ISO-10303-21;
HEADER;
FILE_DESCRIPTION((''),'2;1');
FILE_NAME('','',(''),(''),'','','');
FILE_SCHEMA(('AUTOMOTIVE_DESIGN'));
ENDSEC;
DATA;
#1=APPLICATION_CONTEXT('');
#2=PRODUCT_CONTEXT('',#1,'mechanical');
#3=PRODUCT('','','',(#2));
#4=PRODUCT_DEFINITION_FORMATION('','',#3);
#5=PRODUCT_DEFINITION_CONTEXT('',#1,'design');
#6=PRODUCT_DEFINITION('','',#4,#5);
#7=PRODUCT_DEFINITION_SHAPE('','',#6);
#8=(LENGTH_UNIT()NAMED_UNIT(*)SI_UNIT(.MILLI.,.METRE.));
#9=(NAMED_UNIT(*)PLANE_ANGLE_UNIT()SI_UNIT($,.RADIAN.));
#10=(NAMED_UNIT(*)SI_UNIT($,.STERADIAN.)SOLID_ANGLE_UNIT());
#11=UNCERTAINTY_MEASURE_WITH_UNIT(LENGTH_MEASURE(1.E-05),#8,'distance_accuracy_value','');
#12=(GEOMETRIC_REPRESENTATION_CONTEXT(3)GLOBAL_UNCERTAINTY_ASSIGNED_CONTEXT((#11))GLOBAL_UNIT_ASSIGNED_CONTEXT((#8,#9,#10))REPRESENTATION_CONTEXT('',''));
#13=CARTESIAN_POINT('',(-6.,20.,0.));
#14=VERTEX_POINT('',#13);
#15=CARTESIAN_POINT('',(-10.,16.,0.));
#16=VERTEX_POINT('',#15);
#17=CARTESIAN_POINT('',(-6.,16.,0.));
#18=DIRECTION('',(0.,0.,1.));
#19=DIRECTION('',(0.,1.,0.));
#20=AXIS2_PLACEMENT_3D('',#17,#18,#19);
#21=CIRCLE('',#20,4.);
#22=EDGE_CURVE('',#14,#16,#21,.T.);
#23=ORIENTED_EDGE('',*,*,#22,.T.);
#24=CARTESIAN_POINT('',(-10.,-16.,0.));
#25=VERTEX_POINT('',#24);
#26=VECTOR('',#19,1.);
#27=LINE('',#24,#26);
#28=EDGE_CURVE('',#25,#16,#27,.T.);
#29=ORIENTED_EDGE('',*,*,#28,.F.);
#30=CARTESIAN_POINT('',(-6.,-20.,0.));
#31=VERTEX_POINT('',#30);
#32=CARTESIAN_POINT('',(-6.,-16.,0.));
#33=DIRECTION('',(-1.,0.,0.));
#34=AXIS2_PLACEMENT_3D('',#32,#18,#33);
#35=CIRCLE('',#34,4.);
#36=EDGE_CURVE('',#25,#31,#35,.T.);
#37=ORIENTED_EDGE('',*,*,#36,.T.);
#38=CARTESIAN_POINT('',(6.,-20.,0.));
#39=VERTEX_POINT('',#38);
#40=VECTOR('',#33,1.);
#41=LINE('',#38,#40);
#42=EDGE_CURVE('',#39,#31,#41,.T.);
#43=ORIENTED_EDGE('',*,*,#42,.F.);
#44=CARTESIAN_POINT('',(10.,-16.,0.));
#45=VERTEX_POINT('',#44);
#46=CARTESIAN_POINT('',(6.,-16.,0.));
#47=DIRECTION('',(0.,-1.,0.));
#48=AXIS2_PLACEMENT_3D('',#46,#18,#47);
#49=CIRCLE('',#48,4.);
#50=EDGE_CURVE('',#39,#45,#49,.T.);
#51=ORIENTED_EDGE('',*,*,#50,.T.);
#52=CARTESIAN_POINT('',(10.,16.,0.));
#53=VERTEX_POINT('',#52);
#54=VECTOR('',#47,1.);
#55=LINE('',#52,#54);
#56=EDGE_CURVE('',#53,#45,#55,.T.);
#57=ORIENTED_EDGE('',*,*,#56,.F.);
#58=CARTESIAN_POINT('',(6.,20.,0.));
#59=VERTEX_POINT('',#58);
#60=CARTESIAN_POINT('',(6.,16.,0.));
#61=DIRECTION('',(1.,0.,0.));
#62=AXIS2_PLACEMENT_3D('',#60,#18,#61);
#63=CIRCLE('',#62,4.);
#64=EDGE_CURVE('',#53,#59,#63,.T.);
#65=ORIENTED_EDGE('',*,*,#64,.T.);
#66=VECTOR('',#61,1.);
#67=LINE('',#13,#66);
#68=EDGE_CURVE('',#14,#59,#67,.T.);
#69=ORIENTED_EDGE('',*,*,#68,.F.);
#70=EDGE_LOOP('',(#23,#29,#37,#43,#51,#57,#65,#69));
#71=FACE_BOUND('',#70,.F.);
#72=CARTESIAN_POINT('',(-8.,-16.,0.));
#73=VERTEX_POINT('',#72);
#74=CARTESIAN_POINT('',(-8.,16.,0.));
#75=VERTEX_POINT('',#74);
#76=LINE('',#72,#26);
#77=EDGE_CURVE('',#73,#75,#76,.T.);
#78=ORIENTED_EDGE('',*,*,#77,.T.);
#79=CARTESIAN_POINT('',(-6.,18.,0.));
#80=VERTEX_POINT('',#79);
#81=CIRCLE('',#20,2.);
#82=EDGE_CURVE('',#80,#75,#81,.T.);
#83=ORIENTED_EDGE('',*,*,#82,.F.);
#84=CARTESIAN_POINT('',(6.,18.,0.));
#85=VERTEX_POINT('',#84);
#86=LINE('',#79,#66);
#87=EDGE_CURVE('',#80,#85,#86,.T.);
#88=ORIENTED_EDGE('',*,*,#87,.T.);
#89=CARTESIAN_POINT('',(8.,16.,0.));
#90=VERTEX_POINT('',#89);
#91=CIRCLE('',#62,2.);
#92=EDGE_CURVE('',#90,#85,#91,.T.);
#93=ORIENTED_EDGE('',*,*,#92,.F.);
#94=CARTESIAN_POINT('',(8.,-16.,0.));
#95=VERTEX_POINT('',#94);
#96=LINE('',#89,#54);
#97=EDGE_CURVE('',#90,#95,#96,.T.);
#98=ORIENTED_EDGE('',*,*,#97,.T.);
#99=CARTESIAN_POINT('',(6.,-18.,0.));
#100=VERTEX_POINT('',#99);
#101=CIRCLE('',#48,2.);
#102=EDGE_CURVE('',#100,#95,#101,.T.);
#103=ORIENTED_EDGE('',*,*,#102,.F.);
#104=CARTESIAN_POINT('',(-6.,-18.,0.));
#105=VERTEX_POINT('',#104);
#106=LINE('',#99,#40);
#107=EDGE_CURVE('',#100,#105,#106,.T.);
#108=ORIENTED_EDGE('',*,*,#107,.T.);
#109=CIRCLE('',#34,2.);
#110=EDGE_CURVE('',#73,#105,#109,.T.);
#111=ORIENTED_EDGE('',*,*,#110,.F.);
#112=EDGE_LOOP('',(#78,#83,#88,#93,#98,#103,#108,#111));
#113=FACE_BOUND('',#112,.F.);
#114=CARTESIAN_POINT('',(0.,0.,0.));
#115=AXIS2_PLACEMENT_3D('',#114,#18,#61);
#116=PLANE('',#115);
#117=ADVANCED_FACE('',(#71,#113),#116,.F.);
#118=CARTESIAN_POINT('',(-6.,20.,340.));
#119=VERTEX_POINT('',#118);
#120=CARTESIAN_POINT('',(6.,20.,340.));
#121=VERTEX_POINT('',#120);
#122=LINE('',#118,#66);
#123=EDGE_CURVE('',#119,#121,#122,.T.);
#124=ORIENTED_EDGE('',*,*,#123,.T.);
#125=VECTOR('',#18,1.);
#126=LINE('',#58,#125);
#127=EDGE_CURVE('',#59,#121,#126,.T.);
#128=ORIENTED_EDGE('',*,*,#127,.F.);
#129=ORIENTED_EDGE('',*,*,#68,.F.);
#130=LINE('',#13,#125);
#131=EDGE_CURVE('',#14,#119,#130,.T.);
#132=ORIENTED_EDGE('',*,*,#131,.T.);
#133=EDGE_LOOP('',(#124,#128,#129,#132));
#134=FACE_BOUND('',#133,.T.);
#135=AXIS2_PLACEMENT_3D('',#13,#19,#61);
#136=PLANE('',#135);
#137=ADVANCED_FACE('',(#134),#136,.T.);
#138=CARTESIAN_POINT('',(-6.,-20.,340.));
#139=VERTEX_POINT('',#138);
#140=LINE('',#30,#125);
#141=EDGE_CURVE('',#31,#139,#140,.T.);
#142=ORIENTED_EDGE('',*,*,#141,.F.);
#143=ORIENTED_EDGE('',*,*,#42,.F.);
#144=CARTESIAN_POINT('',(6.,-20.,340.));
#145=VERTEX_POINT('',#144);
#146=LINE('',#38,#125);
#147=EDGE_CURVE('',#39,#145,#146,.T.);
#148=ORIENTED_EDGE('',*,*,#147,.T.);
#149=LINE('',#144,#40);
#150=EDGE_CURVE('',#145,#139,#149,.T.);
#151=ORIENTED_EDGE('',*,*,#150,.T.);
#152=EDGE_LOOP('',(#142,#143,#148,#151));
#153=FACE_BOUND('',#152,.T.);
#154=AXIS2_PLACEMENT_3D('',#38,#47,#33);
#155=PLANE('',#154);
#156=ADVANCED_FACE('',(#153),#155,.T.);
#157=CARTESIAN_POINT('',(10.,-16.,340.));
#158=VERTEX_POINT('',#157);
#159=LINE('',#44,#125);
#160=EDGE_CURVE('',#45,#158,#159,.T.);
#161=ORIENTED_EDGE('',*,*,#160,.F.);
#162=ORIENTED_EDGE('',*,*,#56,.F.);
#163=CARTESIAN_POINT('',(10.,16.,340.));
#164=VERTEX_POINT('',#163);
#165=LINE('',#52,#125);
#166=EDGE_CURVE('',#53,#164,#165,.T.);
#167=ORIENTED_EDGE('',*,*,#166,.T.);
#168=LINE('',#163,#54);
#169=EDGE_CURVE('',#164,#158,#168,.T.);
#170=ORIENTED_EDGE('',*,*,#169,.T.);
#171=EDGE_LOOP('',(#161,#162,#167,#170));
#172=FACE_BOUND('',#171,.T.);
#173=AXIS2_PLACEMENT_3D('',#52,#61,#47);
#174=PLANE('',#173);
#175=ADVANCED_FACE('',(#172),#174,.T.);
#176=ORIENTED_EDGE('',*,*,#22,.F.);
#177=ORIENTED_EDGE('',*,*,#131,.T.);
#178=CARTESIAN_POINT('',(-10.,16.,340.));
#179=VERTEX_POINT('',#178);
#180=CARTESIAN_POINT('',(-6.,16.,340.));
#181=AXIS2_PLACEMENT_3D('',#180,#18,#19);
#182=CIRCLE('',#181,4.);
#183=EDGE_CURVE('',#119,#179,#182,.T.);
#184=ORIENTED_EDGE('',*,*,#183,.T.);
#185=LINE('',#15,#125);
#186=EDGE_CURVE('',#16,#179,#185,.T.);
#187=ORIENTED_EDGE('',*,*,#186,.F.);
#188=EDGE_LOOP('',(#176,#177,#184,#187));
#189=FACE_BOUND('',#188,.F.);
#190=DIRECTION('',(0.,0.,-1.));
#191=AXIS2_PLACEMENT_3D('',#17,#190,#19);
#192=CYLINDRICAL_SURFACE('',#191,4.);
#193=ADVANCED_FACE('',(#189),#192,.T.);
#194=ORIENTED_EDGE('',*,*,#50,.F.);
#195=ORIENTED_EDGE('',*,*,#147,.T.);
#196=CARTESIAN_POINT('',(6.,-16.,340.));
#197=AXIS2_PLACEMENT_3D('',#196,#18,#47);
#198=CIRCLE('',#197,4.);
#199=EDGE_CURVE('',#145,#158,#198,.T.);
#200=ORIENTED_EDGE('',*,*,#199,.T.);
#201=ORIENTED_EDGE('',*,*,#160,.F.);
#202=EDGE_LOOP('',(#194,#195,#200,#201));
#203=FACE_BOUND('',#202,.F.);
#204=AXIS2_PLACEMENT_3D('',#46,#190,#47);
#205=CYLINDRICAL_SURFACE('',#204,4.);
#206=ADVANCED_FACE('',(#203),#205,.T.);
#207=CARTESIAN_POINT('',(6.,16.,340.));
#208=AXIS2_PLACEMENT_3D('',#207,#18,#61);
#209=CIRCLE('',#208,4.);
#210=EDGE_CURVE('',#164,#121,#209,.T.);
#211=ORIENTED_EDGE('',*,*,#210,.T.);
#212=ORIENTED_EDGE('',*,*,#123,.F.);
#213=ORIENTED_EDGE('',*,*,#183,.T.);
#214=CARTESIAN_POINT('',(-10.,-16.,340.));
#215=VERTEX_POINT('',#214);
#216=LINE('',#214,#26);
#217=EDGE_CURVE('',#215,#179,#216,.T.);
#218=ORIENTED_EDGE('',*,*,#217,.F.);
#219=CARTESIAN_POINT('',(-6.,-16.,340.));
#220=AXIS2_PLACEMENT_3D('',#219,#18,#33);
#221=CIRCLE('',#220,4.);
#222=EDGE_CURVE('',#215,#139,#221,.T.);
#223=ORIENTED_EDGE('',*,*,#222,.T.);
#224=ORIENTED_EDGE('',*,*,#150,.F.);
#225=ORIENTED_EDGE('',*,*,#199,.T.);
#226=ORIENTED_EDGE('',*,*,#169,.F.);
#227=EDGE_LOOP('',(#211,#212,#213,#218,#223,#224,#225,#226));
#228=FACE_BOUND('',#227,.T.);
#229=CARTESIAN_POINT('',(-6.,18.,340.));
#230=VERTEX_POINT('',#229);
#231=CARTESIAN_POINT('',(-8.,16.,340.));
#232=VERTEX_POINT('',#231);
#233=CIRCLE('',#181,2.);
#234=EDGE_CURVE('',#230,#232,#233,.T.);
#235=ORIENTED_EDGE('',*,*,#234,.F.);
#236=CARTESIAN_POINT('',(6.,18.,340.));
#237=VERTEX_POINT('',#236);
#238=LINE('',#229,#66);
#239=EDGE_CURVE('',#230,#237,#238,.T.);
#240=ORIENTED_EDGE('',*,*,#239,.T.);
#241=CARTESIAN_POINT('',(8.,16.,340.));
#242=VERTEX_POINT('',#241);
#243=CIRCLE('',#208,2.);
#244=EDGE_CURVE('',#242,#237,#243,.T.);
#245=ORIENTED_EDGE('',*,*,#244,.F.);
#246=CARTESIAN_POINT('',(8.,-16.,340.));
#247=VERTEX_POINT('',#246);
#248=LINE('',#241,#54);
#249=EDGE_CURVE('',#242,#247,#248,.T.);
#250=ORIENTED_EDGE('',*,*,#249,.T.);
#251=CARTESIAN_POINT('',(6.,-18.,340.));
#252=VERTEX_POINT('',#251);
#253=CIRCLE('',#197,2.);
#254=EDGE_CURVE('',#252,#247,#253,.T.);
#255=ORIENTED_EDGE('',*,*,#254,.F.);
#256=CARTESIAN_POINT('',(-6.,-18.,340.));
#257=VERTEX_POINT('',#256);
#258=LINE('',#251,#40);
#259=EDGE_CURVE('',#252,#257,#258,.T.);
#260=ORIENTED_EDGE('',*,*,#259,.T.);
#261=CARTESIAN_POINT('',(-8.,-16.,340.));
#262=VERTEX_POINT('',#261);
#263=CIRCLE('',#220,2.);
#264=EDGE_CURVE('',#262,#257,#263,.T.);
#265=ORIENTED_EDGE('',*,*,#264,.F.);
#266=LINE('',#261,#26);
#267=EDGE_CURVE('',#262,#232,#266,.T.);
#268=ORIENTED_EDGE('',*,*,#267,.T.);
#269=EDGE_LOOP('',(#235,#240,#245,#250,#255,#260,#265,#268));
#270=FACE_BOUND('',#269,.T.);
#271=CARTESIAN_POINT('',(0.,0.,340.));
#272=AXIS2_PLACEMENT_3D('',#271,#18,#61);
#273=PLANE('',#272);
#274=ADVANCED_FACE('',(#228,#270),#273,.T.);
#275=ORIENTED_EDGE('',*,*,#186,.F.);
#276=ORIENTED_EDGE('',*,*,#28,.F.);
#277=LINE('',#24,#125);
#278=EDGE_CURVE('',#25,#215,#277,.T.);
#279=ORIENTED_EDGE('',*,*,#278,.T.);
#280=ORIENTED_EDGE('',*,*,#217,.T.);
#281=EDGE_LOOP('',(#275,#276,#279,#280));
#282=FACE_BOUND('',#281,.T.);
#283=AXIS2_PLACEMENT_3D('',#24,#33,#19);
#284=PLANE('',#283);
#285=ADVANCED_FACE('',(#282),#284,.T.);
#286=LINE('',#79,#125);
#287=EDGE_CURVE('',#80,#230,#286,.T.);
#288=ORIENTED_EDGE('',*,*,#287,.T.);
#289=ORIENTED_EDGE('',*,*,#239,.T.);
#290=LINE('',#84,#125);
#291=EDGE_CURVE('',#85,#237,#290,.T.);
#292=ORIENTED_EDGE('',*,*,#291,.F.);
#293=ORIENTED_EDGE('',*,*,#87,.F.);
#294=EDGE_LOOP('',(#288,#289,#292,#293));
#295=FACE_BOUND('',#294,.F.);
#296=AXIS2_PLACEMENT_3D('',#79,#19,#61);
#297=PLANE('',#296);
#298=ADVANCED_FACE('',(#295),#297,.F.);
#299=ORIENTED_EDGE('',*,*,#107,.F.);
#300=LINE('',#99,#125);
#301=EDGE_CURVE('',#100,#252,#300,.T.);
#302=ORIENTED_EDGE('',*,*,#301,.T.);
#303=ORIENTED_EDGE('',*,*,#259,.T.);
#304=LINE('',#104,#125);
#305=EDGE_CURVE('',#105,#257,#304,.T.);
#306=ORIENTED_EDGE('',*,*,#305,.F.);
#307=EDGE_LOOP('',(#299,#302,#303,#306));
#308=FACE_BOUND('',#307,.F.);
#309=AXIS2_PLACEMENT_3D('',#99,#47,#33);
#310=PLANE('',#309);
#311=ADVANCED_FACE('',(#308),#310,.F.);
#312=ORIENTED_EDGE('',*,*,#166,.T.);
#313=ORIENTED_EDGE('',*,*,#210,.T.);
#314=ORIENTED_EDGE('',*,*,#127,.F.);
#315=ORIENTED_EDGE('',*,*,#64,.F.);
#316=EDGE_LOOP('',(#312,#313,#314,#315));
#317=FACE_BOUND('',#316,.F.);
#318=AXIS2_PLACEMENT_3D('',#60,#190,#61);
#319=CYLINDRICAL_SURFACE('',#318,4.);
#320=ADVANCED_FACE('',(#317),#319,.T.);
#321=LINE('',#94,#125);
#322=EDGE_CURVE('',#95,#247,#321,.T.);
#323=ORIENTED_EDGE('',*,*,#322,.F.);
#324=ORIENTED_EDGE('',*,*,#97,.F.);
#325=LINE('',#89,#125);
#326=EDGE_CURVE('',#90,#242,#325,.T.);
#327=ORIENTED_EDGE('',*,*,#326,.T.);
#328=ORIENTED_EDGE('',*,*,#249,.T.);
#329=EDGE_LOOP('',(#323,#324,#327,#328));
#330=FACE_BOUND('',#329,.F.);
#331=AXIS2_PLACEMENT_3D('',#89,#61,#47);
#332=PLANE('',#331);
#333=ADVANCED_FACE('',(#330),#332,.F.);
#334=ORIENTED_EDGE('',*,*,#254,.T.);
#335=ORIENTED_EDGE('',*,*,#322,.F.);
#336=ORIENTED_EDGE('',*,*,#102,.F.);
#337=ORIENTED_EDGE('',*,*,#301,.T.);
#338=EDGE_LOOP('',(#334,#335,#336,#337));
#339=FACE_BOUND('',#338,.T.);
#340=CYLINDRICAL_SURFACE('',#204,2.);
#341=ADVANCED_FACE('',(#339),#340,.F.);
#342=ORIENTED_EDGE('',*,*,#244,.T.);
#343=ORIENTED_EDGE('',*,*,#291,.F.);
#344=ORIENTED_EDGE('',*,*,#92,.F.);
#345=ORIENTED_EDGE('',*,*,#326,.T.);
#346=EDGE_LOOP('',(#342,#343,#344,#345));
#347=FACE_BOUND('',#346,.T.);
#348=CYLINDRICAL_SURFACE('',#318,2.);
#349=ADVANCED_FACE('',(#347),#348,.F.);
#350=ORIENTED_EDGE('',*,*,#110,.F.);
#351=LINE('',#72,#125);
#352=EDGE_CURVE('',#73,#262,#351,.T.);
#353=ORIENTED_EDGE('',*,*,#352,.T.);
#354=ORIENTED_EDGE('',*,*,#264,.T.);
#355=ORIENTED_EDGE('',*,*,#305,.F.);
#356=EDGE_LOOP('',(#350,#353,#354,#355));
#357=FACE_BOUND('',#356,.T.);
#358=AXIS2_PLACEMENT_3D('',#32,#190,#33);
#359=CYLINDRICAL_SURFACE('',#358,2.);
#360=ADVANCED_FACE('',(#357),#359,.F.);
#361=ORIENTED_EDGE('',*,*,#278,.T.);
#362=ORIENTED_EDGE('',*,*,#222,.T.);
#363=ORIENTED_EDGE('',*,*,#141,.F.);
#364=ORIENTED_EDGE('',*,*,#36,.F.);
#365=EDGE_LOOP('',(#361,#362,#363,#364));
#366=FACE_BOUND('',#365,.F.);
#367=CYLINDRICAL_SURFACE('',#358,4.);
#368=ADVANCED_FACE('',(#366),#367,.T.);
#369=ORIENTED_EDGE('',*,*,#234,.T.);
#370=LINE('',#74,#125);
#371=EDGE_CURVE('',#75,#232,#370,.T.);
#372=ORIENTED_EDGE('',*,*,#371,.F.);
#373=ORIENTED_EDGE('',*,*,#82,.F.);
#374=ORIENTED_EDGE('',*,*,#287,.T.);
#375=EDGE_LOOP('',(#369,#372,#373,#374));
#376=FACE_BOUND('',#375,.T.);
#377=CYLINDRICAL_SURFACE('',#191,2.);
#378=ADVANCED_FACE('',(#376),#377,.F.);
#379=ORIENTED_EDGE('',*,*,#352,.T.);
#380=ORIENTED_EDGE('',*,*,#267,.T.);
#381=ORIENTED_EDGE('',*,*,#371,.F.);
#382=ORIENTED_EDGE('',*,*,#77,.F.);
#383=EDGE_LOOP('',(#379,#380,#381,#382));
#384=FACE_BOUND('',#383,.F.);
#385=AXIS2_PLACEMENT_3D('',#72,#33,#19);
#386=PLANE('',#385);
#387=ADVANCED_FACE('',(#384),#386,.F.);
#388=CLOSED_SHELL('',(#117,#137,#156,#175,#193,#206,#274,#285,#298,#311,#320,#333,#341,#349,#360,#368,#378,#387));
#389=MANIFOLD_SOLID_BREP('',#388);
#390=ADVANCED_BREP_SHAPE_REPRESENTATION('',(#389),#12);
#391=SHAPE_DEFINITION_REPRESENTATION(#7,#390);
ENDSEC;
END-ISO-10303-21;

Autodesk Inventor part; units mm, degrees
ref_plane "YZ Plane" through (0, 0, 0) normal (1, 0, 0) x (0, 1, 0)
ref_plane "Start Plane" through (0, 0, 0) normal (0, 0, 1) x (1, 0, 0)
ref_plane "End Plane" through (0, 0, 340) normal (0, 0, 1) x (1, 0, 0)
sketch "Sketch" plane through (0, 0, 0) normal (0, 0, 1) x (1, 0, 0)
  line L0 (-10, -16) -> (-10, 16)
  line L1 (-6, 20) -> (6, 20)
  line L2 (10, 16) -> (10, -16)
  line L3 (6, -20) -> (-6, -20)
  arc A0 (-10, -16) -> (-6, -20) centre (-6, -16) ccw
  arc A1 (10, 16) -> (6, 20) centre (6, 16) ccw
  arc A2 (-6, 20) -> (-10, 16) centre (-6, 16) ccw
  arc A3 (6, -20) -> (10, -16) centre (6, -16) ccw
  arc A4 (-6, 18) -> (-8, 16) centre (-6, 16) ccw
  line L4 (-6, 18) -> (6, 18)
  arc A5 (8, 16) -> (6, 18) centre (6, 16) ccw
  line L5 (8, 16) -> (8, -16)
  arc A6 (6, -18) -> (8, -16) centre (6, -16) ccw
  line L6 (6, -18) -> (-6, -18)
  arc A7 (-8, -16) -> (-6, -18) centre (-6, -16) ccw
  line L7 (-8, -16) -> (-8, 16)
  line L8 (0, 29.1598) -> (0, -29.1598) construction
  line L9 (-15.1598, 0) -> (15.1598, 0) construction
  dimension "d7" = 4
  dimension "d9" = 20
  dimension "d11" = 40
  dimension "d12" = 2
  dimension "d15" = 10
  dimension "d16" = 20
extrude "Body" add sketch "Sketch" along normal up to surface (340 mm away) from surface at 0
sketch "Sketch3" plane through (0, 0, 0) normal (0, 0, 1) x (1, 0, 0)
  line L0 (0, 0) -> (10, 0)
ref_plane "Work Plane3" through (0, 0, 0) normal (0, -1, 0) x (1, 0, 0)
sketch "Sketch4" plane through (0, 0, 0) normal (0, -1, 0) x (1, 0, 0)
  line L0 (-2, 0) -> (12, 0)
  line L1 (-2, 340) -> (12, 340)
  dimension "d18" = 340
equation "\"d7\" = G_IR"
equation "\"d9\" = G_W"
equation "\"d11\" = G_H"
equation "\"d12\" = G_T"
equation "\"d15\" = 0.5 * d9"
equation "\"d16\" = 0.5 * d11"
equation "\"d3\" = G_L"
equation "\"G_W\" = 20"
equation "\"G_H\" = 40"
equation "\"G_T\" = 2"
equation "\"G_IR\" = 4"
equation "\"G_L\" = d18"
equation "\"G_OFFSET_START\" = 0"
equation "\"G_OFFSET_END\" = 0"
properties part number "ISO 10799-2 - 40x20x2 - 340" material "Steel, Mild"
